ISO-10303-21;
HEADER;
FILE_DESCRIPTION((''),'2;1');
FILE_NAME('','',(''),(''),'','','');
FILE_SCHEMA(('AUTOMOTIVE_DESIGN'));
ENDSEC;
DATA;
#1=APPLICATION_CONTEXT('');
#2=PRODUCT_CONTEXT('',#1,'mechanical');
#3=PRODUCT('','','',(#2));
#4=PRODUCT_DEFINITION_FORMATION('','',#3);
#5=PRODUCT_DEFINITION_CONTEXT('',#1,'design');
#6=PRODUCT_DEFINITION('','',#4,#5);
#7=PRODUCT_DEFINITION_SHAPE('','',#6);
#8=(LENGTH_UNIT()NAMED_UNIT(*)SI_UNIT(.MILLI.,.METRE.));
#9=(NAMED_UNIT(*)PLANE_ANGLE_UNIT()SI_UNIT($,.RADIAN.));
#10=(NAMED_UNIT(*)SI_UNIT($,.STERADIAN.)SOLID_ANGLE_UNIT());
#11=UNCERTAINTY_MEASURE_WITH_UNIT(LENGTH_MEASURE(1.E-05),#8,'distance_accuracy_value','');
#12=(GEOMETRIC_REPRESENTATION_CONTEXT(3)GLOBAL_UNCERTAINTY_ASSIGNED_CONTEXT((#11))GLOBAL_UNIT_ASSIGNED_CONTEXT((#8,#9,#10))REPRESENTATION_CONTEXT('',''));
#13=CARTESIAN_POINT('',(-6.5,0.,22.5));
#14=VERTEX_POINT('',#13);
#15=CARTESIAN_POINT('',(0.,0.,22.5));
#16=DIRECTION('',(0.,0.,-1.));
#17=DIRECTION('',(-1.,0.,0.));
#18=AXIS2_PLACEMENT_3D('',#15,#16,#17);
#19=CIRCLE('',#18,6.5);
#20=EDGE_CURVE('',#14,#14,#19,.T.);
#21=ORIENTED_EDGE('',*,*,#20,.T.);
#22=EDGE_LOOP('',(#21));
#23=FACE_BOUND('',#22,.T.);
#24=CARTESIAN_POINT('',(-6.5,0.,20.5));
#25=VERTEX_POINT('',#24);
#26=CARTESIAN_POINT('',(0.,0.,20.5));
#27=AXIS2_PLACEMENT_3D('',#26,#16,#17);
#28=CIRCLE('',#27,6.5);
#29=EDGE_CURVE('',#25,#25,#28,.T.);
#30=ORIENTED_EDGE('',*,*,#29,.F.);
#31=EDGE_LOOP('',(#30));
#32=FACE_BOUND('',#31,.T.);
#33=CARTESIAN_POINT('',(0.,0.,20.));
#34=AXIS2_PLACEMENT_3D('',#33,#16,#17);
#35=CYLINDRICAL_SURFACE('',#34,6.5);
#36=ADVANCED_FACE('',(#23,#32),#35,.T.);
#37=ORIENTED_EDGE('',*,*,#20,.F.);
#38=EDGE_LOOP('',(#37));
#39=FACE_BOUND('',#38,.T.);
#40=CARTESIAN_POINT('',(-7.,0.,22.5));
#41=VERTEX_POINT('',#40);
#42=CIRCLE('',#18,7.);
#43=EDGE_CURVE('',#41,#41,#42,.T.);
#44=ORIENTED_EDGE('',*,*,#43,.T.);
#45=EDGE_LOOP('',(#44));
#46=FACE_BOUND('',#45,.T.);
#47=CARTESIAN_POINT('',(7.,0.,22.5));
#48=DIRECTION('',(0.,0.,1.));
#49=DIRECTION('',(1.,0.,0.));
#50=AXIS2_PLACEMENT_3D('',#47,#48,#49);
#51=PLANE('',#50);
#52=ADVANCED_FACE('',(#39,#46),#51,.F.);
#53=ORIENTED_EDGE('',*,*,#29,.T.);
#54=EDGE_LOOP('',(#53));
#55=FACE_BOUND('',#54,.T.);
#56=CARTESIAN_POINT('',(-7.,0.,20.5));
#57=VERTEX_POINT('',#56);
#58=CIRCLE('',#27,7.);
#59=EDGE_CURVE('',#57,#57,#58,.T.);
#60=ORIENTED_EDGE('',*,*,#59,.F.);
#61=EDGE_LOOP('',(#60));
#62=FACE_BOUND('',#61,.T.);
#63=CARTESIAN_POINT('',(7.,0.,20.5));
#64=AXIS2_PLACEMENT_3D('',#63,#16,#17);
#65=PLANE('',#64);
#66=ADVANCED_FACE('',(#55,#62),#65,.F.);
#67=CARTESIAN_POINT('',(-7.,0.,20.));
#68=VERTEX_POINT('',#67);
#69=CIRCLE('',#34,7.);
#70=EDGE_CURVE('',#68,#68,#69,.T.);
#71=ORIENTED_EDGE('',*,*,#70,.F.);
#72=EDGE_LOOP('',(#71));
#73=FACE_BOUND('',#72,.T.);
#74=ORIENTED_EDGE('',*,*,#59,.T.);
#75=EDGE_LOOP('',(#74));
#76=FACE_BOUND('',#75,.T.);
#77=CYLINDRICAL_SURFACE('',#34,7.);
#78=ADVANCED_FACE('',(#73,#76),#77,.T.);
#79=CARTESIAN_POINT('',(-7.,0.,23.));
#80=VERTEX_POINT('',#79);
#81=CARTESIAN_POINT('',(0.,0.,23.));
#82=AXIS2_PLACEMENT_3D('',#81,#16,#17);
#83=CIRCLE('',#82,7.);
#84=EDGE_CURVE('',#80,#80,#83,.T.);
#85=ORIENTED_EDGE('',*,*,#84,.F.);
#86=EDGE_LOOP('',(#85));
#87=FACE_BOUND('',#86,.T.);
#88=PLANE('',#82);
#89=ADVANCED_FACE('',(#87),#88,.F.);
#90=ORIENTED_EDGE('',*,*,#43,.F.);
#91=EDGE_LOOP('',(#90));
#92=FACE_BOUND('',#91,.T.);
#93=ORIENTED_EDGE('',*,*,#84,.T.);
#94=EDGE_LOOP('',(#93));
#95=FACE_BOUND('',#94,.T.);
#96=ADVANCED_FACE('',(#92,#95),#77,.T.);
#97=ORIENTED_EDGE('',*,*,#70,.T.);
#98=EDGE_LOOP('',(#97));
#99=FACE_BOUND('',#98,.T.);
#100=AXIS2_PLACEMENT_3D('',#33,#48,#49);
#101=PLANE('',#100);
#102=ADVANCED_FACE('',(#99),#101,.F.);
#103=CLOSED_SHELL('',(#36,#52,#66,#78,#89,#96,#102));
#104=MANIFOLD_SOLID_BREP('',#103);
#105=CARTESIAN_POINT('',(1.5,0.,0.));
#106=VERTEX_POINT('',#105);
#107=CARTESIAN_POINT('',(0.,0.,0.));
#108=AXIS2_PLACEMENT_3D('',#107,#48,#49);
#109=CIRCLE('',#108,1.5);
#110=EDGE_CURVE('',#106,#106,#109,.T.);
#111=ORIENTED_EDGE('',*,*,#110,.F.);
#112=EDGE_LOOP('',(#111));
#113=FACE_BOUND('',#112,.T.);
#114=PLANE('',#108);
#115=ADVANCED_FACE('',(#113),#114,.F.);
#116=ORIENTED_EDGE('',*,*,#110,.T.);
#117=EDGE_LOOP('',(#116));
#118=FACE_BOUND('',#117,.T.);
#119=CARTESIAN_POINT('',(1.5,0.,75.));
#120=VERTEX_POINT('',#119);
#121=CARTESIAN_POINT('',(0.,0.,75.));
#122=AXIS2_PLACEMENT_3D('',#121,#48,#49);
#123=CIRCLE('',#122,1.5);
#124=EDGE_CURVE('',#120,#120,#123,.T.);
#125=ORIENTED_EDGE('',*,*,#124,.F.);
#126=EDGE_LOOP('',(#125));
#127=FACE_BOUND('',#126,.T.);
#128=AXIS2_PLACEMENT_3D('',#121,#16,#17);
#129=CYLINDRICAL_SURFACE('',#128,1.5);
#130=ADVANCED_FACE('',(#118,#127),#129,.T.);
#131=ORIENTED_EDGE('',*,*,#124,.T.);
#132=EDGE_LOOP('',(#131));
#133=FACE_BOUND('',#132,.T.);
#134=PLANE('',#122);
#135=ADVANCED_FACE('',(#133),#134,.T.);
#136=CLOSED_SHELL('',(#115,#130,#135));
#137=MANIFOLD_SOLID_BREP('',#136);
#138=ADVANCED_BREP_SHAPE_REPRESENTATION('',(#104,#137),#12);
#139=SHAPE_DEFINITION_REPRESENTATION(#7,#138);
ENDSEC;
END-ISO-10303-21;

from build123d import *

# Parameters (mm, degrees)
SKETCH1_R           = 1.5
BOSS_EXTRUDE1_DEPTH = 75


with BuildPart() as part:
    # Sketch1 → Boss-Extrude1 (new body)
    with BuildSketch(Plane.XY):
        Circle(SKETCH1_R)
    extrude(amount=BOSS_EXTRUDE1_DEPTH)


with BuildPart() as body_2:
    # Sketch2 → Revolve1 (revolve)
    with BuildSketch(Plane(origin=(0, 0, 0), x_dir=(1, 0, 0), z_dir=(0, 1, 0))):
        Polygon((7, -20), (7, -20.5), (6.5, -20.5), (6.5, -22.5), (7, -22.5), (7, -23), (0, -23), (0, -20), align=None)
    revolve(axis=Axis((0, 0, 20), (0, 0, 1)))


solid = Compound([part.part, body_2.part])
